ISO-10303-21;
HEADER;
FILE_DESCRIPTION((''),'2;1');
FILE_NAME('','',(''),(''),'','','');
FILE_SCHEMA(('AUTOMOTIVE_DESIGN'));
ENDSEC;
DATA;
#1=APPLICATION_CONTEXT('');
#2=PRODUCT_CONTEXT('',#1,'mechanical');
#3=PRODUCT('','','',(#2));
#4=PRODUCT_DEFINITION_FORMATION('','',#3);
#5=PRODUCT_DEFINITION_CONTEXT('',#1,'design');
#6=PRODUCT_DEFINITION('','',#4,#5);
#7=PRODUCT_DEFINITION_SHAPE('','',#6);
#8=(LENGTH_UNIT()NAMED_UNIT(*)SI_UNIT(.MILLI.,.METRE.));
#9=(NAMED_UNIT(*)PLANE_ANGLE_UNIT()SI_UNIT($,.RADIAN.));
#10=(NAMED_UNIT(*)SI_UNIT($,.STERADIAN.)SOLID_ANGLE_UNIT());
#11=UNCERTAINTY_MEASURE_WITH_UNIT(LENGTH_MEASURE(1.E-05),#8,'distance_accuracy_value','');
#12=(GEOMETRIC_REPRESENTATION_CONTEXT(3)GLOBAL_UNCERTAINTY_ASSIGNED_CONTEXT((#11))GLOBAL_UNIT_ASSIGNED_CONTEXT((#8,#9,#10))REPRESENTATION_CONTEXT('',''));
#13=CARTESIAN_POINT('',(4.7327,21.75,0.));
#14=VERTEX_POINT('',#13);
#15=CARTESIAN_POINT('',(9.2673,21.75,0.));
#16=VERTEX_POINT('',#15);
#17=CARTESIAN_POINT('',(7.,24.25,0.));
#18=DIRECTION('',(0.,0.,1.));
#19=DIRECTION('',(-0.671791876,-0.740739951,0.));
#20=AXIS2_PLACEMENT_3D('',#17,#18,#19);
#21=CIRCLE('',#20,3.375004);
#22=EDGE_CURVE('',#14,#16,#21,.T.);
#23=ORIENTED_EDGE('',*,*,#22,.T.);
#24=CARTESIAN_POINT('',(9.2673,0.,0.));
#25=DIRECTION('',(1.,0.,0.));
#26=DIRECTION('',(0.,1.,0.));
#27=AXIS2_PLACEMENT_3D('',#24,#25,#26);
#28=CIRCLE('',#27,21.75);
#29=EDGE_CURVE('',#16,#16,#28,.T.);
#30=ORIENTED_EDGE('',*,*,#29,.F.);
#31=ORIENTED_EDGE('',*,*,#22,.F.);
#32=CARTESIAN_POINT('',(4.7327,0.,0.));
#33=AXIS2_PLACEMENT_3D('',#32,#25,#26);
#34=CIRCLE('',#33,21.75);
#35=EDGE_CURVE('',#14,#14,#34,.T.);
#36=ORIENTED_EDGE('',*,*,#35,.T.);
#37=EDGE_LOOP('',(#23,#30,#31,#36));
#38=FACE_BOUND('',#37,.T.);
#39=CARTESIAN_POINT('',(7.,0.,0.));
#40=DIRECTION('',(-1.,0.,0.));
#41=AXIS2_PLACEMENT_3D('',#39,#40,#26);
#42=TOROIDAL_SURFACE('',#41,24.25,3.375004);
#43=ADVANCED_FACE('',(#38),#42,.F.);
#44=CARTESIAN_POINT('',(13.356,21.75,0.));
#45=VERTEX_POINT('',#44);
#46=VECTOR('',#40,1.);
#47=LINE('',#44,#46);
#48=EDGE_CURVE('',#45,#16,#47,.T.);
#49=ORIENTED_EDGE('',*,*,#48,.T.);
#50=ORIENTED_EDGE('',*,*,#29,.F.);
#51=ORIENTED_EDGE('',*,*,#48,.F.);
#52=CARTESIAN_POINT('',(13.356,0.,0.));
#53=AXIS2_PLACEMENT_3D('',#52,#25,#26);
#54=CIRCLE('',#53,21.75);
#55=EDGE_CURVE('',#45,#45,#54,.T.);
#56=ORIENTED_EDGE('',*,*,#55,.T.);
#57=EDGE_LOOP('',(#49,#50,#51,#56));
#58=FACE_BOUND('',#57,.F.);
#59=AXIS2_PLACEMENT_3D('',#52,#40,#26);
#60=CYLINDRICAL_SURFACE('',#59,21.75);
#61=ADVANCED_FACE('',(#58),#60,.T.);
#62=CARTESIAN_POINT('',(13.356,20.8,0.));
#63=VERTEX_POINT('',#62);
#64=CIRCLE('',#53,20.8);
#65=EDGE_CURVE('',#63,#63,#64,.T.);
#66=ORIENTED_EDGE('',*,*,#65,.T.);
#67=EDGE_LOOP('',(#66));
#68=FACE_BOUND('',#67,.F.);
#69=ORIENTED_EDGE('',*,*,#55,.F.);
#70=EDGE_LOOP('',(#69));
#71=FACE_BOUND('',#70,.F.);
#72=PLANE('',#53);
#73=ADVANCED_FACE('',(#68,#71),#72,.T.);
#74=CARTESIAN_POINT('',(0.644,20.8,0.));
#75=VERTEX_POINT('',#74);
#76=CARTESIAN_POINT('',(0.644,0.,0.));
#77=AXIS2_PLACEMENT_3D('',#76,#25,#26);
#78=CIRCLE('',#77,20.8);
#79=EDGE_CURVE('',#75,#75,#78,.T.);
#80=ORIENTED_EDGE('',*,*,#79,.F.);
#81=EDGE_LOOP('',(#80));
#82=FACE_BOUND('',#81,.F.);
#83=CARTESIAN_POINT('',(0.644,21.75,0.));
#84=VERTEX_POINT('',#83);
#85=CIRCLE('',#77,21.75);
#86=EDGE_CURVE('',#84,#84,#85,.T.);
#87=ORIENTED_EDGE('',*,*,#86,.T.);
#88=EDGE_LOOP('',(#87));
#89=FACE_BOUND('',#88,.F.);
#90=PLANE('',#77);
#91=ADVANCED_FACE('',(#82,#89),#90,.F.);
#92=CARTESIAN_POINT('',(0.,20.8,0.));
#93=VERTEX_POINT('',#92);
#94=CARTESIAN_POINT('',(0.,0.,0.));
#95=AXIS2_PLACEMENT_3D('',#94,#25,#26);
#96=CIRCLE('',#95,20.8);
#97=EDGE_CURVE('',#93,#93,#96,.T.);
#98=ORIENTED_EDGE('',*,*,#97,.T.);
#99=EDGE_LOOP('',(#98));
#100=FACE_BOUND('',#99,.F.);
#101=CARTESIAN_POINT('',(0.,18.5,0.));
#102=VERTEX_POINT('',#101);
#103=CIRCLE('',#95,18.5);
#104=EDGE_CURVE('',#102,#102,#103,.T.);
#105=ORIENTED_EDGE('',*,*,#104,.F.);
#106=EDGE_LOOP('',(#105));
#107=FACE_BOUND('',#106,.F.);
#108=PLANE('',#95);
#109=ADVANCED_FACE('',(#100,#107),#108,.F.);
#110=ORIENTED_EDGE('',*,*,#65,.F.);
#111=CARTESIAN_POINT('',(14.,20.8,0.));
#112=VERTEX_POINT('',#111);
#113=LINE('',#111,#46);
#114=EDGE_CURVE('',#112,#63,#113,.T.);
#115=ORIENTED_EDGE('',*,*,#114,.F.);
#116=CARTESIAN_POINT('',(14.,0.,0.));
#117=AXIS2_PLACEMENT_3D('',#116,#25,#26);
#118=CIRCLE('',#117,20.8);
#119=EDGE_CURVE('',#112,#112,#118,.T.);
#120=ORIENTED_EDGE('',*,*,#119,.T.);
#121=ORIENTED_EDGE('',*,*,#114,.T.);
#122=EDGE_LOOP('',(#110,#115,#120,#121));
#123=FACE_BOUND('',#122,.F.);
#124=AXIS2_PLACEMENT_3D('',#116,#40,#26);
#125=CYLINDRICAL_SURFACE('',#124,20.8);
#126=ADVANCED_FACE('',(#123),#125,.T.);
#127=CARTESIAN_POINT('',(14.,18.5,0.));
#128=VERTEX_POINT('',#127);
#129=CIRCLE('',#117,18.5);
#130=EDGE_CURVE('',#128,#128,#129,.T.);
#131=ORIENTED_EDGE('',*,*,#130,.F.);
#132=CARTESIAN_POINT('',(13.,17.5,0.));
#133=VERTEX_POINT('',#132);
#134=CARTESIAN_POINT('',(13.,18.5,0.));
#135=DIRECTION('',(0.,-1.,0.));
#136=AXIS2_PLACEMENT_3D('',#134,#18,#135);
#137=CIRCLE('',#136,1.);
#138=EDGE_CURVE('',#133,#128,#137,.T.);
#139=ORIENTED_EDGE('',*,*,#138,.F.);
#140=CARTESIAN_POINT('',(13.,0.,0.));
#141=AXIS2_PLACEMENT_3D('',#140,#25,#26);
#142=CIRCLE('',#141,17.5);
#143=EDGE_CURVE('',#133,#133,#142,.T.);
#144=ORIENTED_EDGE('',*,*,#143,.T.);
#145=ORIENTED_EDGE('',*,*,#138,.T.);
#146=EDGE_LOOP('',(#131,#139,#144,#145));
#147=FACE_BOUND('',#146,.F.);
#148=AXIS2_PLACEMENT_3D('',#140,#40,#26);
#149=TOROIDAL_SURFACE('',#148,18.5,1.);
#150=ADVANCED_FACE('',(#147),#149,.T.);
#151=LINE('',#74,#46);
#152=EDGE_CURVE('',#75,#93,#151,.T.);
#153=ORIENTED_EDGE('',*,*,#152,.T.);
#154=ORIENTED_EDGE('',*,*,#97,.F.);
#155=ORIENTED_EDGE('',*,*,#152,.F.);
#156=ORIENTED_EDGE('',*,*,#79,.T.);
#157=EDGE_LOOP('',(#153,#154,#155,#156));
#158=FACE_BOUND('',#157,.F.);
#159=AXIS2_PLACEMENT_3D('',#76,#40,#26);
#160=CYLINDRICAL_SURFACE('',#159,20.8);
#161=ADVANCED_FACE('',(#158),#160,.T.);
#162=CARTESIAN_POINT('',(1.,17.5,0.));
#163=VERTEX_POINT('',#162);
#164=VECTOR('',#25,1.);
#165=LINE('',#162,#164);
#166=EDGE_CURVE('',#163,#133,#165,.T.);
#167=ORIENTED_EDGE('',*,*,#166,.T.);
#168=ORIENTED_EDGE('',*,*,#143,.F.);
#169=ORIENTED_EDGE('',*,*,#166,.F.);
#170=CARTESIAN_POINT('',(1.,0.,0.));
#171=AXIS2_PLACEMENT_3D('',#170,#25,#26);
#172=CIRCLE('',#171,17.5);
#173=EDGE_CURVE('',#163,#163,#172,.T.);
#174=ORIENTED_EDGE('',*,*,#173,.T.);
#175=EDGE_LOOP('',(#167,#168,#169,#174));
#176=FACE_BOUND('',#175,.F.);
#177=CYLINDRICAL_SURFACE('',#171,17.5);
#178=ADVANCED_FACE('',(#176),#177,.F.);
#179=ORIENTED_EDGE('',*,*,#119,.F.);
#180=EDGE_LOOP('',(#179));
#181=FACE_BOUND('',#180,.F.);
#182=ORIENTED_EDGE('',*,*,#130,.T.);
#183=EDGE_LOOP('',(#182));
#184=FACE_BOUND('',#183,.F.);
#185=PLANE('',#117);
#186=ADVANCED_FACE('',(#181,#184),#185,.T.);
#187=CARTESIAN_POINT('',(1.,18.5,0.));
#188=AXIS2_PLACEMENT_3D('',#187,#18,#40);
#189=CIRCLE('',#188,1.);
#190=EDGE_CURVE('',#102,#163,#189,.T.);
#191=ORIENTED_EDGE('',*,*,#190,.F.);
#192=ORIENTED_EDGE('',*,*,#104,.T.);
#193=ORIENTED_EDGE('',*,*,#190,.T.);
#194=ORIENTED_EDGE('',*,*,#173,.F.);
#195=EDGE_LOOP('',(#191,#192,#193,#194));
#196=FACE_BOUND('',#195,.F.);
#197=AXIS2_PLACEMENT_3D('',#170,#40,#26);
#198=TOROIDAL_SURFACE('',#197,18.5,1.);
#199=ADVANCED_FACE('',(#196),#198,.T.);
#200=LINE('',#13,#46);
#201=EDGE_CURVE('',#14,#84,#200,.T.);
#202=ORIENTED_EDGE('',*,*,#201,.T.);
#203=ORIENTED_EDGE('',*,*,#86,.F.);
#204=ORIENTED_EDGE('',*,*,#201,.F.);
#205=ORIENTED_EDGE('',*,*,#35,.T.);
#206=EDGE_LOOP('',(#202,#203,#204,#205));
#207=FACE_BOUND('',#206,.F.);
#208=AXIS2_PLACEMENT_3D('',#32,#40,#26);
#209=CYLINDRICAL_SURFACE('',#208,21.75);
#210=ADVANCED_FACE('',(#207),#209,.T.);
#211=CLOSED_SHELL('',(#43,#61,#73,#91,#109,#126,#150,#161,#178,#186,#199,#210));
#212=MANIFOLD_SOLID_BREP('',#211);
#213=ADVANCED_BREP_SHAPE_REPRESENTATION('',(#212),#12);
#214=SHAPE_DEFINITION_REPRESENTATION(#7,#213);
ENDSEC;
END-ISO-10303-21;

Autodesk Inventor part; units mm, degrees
sketch "Sketch_1" plane through (0, 0, 0) normal (0, 0, 1) x (1, 0, 0)
  line L0 (14, 0) -> (0, 0)
  arc A0 (0, 18.5) -> (1, 17.5) centre (1, 18.5) ccw
  line L1 (1, 17.5) -> (13, 17.5)
  arc A1 (13, 17.5) -> (14, 18.5) centre (13, 18.5) ccw
  line L2 (14, 18.5) -> (14, 20.8)
  line L3 (14, 20.8) -> (13.356, 20.8)
  line L4 (13.356, 20.8) -> (13.356, 21.75)
  line L5 (13.356, 21.75) -> (9.2673, 21.75)
  arc A2 (4.7327, 21.75) -> (9.2673, 21.75) centre (7, 24.25) ccw
  line L6 (4.7327, 21.75) -> (0.644, 21.75)
  line L7 (0.644, 21.75) -> (0.644, 20.8)
  line L8 (0.644, 20.8) -> (0, 20.8)
  line L9 (0, 20.8) -> (0, 18.5)
revolve "Revolution1" add sketch "Sketch_1" angle 360 about axis through (14, 0, 0) along (1, 0, 0)
ref_plane "ip_cst_3_ir_1_1_XY" through (7, 24.25, 0) normal (-1, 0, 0) x (0, 0, -1)
ref_plane "ip_cst_3_ir_1_1_YZ" through (7, 24.25, 0) normal (0, 0, -1) x (0, -1, 0)
ref_plane "ip_cst_3_ir_1_1_ZX" through (7, 24.25, 0) normal (0, -1, 0) x (-1, 0, 0)
ref_plane "ip_cst_3_ir_1_10_XY" through (7, -8.5992, -22.6741) normal (-1, 0, 0) x (0, 0, -1)
ref_plane "ip_cst_3_ir_1_10_YZ" through (7, -8.5992, -22.6741) normal (0, 0, -1) x (0, -1, 0)
ref_plane "ip_cst_3_ir_1_10_ZX" through (7, -8.5992, -22.6741) normal (0, -1, 0) x (-1, 0, 0)
ref_plane "ip_cst_3_ir_1_11_XY" through (7, 2.923, -24.0732) normal (-1, 0, 0) x (0, 0, -1)
ref_plane "ip_cst_3_ir_1_11_YZ" through (7, 2.923, -24.0732) normal (0, 0, -1) x (0, -1, 0)
ref_plane "ip_cst_3_ir_1_11_ZX" through (7, 2.923, -24.0732) normal (0, -1, 0) x (-1, 0, 0)
ref_plane "ip_cst_3_ir_1_12_XY" through (7, 13.7756, -19.9574) normal (-1, 0, 0) x (0, 0, -1)
ref_plane "ip_cst_3_ir_1_12_YZ" through (7, 13.7756, -19.9574) normal (0, 0, -1) x (0, -1, 0)
ref_plane "ip_cst_3_ir_1_12_ZX" through (7, 13.7756, -19.9574) normal (0, -1, 0) x (-1, 0, 0)
ref_plane "ip_cst_3_ir_1_13_XY" through (7, 21.4723, -11.2695) normal (-1, 0, 0) x (0, 0, -1)
ref_plane "ip_cst_3_ir_1_13_YZ" through (7, 21.4723, -11.2695) normal (0, 0, -1) x (0, -1, 0)
ref_plane "ip_cst_3_ir_1_13_ZX" through (7, 21.4723, -11.2695) normal (0, -1, 0) x (-1, 0, 0)
ref_plane "ip_cst_3_ir_1_2_XY" through (7, 21.4723, 11.2695) normal (-1, 0, 0) x (0, 0, -1)
ref_plane "ip_cst_3_ir_1_2_YZ" through (7, 21.4723, 11.2695) normal (0, 0, -1) x (0, -1, 0)
ref_plane "ip_cst_3_ir_1_2_ZX" through (7, 21.4723, 11.2695) normal (0, -1, 0) x (-1, 0, 0)
ref_plane "ip_cst_3_ir_1_3_XY" through (7, 13.7756, 19.9574) normal (-1, 0, 0) x (0, 0, -1)
ref_plane "ip_cst_3_ir_1_3_YZ" through (7, 13.7756, 19.9574) normal (0, 0, -1) x (0, -1, 0)
ref_plane "ip_cst_3_ir_1_3_ZX" through (7, 13.7756, 19.9574) normal (0, -1, 0) x (-1, 0, 0)
ref_plane "ip_cst_3_ir_1_4_XY" through (7, 2.923, 24.0732) normal (-1, 0, 0) x (0, 0, -1)
ref_plane "ip_cst_3_ir_1_4_YZ" through (7, 2.923, 24.0732) normal (0, 0, -1) x (0, -1, 0)
ref_plane "ip_cst_3_ir_1_4_ZX" through (7, 2.923, 24.0732) normal (0, -1, 0) x (-1, 0, 0)
ref_plane "ip_cst_3_ir_1_5_XY" through (7, -8.5992, 22.6741) normal (-1, 0, 0) x (0, 0, -1)
ref_plane "ip_cst_3_ir_1_5_YZ" through (7, -8.5992, 22.6741) normal (0, 0, -1) x (0, -1, 0)
ref_plane "ip_cst_3_ir_1_5_ZX" through (7, -8.5992, 22.6741) normal (0, -1, 0) x (-1, 0, 0)
ref_plane "ip_cst_3_ir_1_6_XY" through (7, -18.1514, 16.0807) normal (-1, 0, 0) x (0, 0, -1)
ref_plane "ip_cst_3_ir_1_6_YZ" through (7, -18.1514, 16.0807) normal (0, 0, -1) x (0, -1, 0)
ref_plane "ip_cst_3_ir_1_6_ZX" through (7, -18.1514, 16.0807) normal (0, -1, 0) x (-1, 0, 0)
ref_plane "ip_cst_3_ir_1_7_XY" through (7, -23.5453, 5.8034) normal (-1, 0, 0) x (0, 0, -1)
ref_plane "ip_cst_3_ir_1_7_YZ" through (7, -23.5453, 5.8034) normal (0, 0, -1) x (0, -1, 0)
ref_plane "ip_cst_3_ir_1_7_ZX" through (7, -23.5453, 5.8034) normal (0, -1, 0) x (-1, 0, 0)
ref_plane "ip_cst_3_ir_1_8_XY" through (7, -23.5453, -5.8034) normal (-1, 0, 0) x (0, 0, -1)
ref_plane "ip_cst_3_ir_1_8_YZ" through (7, -23.5453, -5.8034) normal (0, 0, -1) x (0, -1, 0)
ref_plane "ip_cst_3_ir_1_8_ZX" through (7, -23.5453, -5.8034) normal (0, -1, 0) x (-1, 0, 0)
ref_plane "ip_cst_3_ir_1_9_XY" through (7, -18.1514, -16.0807) normal (-1, 0, 0) x (0, 0, -1)
ref_plane "ip_cst_3_ir_1_9_YZ" through (7, -18.1514, -16.0807) normal (0, 0, -1) x (0, -1, 0)
ref_plane "ip_cst_3_ir_1_9_ZX" through (7, -18.1514, -16.0807) normal (0, -1, 0) x (-1, 0, 0)
ref_plane "ip_cst_3_ir_1a_XY" through (0, 0, 0) normal (1, 0, 0) x (0, 0, -1)
ref_plane "ip_cst_3_ir_1a_YZ" through (0, 0, 0) normal (0, 0, -1) x (0, 1, 0)
ref_plane "ip_cst_3_ir_1a_ZX" through (0, 0, 0) normal (0, 1, 0) x (1, 0, 0)
properties part number "6007DDU Inner ring"
